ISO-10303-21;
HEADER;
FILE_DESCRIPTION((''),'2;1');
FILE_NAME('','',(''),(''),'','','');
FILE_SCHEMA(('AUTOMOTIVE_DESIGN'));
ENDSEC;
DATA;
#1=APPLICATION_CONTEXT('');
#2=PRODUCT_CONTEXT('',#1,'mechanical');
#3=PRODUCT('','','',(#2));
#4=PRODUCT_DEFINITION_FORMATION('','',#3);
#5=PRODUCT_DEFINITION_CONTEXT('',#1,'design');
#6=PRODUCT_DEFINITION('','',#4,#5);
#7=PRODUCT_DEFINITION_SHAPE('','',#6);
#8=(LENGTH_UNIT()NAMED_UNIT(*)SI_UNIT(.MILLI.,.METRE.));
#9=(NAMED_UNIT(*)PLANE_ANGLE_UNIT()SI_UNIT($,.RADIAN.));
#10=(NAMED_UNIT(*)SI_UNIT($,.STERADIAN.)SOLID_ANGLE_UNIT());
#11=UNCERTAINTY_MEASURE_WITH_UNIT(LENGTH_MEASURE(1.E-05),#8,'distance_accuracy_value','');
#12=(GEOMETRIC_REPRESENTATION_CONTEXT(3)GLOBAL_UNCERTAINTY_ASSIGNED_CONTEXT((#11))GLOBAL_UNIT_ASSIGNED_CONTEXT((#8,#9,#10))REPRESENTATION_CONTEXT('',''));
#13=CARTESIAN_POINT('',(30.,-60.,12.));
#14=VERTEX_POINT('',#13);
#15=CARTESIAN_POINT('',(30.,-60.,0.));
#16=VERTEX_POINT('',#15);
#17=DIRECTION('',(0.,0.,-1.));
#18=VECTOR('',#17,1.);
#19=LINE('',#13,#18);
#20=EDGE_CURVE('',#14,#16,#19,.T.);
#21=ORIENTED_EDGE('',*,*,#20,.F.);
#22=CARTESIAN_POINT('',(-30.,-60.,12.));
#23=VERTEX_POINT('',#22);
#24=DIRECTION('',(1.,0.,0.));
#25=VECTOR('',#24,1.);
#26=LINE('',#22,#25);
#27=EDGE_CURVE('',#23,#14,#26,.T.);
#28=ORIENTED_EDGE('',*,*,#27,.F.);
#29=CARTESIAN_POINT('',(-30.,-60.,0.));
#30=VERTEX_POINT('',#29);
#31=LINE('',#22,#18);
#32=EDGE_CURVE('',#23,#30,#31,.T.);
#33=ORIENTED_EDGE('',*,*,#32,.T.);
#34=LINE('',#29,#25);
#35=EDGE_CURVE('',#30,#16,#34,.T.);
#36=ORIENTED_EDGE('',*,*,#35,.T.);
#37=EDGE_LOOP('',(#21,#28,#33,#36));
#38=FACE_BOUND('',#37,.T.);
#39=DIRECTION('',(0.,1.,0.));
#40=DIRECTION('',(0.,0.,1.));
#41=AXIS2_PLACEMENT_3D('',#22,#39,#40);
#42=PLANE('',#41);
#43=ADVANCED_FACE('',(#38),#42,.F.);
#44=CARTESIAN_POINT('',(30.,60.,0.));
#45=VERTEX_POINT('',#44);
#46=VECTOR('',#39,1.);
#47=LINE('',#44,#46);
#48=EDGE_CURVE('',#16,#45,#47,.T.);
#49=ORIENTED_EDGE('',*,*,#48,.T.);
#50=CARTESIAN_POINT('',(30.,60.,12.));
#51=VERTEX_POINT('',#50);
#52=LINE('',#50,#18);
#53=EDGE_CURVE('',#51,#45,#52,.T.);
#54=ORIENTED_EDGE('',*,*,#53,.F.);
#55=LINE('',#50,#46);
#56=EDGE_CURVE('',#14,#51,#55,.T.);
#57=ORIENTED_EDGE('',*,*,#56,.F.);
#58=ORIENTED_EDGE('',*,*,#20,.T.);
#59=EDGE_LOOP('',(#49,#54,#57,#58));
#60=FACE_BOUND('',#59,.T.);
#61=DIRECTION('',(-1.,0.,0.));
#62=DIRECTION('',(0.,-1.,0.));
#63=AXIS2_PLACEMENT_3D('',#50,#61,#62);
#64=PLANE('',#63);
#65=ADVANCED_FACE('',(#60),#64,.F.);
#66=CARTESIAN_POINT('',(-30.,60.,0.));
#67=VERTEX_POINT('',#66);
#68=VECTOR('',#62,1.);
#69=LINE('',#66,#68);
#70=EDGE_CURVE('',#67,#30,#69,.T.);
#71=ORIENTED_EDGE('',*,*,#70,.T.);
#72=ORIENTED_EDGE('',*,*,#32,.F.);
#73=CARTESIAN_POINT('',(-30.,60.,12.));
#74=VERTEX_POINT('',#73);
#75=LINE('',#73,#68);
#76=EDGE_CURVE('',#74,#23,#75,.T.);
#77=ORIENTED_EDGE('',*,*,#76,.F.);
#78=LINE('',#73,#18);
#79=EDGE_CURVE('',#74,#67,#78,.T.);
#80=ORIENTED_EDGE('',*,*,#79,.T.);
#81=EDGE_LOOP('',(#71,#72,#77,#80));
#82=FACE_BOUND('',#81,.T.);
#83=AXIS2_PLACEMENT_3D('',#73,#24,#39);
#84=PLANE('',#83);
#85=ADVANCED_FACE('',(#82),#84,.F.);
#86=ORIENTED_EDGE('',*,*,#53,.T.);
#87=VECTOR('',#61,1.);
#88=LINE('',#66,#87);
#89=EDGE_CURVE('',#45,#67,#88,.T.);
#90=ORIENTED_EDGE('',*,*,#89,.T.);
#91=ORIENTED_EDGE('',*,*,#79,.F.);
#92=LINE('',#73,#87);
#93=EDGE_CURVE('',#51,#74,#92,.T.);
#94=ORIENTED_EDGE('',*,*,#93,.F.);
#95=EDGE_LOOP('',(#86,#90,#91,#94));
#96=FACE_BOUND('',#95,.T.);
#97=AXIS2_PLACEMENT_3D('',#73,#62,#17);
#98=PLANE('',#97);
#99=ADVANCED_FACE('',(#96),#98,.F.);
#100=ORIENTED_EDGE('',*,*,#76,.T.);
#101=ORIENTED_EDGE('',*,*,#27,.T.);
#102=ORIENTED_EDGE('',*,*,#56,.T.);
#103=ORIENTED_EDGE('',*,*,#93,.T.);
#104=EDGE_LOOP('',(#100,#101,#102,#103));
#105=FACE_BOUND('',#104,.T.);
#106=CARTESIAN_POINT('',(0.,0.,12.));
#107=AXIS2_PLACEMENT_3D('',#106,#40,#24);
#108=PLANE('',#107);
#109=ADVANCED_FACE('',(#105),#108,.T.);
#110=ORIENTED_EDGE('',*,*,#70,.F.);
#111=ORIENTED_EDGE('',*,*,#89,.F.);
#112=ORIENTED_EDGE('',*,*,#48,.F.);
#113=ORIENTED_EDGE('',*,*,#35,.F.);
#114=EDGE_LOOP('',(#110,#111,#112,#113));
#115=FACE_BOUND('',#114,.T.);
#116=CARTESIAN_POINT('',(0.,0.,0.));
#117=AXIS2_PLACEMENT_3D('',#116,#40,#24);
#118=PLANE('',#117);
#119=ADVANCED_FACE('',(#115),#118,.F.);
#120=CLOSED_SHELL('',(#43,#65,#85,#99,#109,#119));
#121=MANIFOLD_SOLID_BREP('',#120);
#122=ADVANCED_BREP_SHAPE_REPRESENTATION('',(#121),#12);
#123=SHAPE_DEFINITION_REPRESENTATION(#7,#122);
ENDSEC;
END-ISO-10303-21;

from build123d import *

# Parameters (mm, degrees)
SKETCH1_W           = 60
SKETCH1_H           = 120
BOSS_EXTRUDE1_DEPTH = 12


with BuildPart() as part:
    # Sketch1 → Boss-Extrude1 (new body)
    with BuildSketch(Plane.XY):
        Rectangle(SKETCH1_W, SKETCH1_H)
    extrude(amount=BOSS_EXTRUDE1_DEPTH)


solid = part.part
